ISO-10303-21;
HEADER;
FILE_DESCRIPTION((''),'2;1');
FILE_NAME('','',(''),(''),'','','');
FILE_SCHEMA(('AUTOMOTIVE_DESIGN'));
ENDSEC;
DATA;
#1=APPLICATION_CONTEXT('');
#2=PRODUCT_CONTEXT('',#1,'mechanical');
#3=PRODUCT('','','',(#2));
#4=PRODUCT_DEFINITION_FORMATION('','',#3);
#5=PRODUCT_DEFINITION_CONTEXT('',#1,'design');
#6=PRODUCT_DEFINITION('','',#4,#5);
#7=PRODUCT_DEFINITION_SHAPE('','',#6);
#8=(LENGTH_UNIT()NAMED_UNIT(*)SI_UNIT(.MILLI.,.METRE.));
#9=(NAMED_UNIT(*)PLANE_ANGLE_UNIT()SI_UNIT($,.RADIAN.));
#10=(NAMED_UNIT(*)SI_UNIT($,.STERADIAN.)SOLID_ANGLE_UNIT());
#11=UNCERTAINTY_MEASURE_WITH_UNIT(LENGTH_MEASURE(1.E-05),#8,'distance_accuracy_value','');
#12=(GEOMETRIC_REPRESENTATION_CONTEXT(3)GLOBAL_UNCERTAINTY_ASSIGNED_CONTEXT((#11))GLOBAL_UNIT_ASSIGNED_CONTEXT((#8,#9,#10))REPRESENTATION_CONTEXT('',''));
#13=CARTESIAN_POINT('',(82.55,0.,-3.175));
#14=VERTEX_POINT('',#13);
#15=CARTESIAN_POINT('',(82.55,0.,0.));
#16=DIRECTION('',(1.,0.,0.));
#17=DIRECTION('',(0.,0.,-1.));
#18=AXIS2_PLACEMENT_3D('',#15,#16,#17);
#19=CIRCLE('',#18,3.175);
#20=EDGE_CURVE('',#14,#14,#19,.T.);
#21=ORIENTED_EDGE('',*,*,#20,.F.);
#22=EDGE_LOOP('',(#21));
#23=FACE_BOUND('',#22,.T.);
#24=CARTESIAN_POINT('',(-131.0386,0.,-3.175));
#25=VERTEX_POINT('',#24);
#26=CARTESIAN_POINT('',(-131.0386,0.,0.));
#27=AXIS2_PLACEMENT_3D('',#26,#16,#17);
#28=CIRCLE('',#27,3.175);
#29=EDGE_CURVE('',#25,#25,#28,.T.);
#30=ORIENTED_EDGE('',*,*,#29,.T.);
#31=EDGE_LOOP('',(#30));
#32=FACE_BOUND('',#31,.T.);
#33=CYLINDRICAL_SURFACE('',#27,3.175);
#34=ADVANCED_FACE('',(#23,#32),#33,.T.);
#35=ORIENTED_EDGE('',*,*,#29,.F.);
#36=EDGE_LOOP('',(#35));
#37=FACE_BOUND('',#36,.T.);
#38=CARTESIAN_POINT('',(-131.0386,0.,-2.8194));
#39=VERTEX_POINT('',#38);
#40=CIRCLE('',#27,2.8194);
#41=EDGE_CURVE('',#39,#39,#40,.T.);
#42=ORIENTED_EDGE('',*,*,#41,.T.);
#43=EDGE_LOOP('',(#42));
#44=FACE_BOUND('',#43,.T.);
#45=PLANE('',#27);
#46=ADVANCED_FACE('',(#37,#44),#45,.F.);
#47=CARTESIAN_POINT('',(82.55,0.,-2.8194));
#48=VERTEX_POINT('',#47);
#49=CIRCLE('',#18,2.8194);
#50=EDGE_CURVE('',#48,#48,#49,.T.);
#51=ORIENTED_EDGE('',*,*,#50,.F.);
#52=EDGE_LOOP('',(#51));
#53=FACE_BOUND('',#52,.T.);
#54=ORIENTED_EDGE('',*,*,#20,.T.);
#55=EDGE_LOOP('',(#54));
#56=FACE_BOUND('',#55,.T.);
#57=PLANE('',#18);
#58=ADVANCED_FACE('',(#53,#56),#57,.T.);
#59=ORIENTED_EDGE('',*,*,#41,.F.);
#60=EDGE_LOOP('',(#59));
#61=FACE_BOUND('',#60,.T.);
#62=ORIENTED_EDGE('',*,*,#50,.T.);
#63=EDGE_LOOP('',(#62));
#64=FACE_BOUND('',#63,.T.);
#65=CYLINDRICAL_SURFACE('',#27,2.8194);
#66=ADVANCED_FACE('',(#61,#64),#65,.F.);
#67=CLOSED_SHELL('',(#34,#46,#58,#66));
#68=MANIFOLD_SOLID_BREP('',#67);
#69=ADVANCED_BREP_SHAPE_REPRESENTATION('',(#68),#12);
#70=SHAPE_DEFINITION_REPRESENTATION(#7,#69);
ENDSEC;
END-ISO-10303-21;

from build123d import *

# Parameters (mm, degrees)
EXTRUDE_THIN1_DEPTH      = 82.55
EXTRUDE_THIN1_DEPTH_BACK = 131.0386
SKETCH1_R                = 3.175
SKETCH1_R_2              = 2.8194


with BuildPart() as part:
    # Sketch1 → Extrude-Thin1 (new, two sides: drawn at the far end of the back side and taken through both)
    with BuildSketch(Plane(origin=(0, 0, 0), x_dir=(0, 0, -1), z_dir=(1, 0, 0)).offset(-EXTRUDE_THIN1_DEPTH_BACK)):
        Circle(SKETCH1_R)
        Circle(SKETCH1_R_2, mode=Mode.SUBTRACT)
    extrude(amount=EXTRUDE_THIN1_DEPTH + EXTRUDE_THIN1_DEPTH_BACK)


solid = part.part
